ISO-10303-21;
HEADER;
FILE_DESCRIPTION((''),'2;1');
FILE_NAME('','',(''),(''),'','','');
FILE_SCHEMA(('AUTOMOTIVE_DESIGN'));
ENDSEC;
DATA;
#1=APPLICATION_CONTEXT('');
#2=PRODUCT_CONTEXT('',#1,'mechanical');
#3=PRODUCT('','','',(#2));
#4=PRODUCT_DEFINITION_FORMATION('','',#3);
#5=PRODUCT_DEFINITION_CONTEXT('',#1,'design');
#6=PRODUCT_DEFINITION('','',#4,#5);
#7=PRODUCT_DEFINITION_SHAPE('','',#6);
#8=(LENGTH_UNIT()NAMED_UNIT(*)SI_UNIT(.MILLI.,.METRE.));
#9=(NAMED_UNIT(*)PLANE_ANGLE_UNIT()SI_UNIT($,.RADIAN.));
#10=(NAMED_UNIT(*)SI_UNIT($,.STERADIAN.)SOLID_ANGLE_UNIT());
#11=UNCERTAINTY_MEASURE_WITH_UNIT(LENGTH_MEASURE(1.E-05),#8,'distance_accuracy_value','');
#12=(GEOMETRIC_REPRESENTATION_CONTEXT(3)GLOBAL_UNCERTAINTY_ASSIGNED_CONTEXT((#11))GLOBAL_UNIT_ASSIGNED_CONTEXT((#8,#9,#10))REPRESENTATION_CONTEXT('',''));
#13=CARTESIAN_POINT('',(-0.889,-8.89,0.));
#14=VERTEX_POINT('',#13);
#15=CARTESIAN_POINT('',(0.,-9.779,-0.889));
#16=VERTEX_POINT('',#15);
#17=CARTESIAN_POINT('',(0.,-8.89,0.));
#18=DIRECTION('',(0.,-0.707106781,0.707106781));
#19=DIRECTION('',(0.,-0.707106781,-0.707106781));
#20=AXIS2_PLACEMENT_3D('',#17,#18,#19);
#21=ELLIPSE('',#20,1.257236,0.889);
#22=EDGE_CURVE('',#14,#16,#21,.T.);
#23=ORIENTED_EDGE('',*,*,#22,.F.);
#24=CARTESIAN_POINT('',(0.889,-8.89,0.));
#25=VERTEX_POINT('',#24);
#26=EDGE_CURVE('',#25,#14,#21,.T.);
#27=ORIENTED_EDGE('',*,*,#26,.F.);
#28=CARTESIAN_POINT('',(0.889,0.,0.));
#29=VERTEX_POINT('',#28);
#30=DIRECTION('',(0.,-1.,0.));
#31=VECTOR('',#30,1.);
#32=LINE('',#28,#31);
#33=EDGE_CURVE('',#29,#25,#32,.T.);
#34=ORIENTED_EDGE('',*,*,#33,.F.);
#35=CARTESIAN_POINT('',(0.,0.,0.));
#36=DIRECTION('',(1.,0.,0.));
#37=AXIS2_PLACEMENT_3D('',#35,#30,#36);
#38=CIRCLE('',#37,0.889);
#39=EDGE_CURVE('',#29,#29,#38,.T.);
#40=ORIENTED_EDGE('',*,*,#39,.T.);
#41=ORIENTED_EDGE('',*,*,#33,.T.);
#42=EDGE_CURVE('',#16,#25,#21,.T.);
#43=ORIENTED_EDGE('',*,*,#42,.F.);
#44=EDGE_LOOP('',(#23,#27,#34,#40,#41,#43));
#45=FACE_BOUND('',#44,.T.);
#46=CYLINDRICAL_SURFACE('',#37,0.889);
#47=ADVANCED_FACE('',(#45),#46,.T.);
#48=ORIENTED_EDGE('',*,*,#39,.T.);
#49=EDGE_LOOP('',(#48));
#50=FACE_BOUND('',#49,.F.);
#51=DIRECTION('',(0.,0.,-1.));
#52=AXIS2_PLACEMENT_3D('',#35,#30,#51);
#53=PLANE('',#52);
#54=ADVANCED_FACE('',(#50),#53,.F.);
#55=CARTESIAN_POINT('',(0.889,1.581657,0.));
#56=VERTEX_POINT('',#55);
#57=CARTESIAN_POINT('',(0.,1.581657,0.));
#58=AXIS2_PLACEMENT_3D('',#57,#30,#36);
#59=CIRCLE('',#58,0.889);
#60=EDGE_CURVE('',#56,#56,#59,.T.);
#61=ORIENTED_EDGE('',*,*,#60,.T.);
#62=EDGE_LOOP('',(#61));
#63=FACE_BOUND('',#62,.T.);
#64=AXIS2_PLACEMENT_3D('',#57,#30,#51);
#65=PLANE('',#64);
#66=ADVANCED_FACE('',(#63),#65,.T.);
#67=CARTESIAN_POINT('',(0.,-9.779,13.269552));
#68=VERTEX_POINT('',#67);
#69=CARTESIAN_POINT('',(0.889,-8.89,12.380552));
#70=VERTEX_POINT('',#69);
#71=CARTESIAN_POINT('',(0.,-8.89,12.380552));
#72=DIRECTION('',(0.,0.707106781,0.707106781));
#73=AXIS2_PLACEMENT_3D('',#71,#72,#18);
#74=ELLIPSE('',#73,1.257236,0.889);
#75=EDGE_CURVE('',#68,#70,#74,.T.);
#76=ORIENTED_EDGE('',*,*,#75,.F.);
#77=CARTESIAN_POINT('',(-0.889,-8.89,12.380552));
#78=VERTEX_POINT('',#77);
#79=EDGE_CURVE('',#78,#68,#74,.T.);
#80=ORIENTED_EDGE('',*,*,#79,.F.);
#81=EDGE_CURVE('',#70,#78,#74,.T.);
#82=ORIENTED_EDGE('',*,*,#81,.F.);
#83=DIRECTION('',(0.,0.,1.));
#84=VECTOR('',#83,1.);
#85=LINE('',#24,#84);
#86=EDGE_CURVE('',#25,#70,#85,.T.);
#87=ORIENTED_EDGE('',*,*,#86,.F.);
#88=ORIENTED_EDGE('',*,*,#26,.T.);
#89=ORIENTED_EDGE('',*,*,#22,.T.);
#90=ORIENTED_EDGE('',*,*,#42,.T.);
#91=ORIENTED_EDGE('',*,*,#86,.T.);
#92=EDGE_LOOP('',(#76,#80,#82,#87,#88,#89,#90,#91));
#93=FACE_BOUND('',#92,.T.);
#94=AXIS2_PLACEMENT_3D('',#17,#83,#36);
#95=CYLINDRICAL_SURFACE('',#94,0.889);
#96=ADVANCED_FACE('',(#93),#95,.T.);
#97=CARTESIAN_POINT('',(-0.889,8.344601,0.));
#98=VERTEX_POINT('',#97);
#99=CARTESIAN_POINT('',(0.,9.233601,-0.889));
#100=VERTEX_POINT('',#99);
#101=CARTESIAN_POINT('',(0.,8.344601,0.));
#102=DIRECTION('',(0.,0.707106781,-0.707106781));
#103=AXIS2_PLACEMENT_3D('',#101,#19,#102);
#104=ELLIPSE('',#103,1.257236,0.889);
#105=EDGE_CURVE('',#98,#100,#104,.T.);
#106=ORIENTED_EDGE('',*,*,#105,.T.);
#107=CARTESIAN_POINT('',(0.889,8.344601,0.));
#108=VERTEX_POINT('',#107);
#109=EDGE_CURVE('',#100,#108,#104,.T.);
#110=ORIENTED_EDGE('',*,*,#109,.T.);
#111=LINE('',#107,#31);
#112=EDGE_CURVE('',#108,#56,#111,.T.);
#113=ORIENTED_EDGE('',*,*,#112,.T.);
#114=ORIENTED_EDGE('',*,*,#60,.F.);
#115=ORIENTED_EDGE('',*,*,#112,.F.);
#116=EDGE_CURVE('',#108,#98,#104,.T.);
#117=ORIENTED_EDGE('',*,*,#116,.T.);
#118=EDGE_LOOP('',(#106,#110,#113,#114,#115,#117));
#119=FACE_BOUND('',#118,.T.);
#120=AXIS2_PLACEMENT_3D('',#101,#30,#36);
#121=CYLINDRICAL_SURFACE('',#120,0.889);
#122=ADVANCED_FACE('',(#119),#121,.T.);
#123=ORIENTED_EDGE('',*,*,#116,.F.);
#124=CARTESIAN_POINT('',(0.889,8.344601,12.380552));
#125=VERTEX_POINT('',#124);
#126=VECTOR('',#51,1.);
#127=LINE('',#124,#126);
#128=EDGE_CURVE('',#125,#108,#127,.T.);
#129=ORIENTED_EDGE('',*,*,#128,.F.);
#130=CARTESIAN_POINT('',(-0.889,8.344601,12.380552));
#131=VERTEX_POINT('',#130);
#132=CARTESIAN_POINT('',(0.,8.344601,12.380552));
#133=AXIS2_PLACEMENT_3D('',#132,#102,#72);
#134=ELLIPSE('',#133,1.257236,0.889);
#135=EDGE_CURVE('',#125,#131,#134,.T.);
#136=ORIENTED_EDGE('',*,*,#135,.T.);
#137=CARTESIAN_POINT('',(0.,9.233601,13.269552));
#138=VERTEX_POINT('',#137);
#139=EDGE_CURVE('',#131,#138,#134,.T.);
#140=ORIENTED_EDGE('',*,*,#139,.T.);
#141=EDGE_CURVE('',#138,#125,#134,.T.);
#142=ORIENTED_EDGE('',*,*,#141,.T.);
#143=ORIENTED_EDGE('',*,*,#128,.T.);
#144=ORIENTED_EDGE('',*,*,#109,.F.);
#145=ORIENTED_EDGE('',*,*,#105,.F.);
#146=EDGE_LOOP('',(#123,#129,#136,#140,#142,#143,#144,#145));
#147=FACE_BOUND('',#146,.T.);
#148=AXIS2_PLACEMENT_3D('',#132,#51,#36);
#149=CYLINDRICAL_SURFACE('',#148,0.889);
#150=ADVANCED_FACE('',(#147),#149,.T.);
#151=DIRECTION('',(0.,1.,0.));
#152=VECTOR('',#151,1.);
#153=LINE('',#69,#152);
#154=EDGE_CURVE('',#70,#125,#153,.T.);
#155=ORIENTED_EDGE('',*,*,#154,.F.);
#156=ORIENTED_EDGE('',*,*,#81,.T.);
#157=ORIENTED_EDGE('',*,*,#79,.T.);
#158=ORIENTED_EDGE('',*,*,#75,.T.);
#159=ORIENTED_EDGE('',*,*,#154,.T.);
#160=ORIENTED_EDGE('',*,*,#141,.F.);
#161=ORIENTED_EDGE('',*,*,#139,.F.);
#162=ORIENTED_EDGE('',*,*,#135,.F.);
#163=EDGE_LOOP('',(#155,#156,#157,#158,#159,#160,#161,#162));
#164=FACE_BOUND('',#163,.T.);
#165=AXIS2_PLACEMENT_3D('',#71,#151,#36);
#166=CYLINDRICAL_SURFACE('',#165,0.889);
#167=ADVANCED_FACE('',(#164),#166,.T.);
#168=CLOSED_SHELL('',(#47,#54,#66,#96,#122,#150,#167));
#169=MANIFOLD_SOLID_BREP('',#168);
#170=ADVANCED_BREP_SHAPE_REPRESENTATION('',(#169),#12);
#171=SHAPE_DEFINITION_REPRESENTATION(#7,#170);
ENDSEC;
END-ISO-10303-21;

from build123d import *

# Parameters (mm, degrees)
F0_R = 0.889


with BuildPart() as f2:
    # F2: sweep along a path in F1
    with BuildLine(Plane.YZ) as f2_path:
        Line((0, 0), (-8.89, 0))
        Line((-8.89, 0), (-8.89, 12.3805519523))
        Line((-8.89, 12.3805519523), (8.3446010148, 12.3805519523))
        Line((8.3446010148, 12.3805519523), (8.3446010148, 0))
        Line((8.3446010148, 0), (1.5816572689, 0))
    # F0 (on Front) → F2 (sweep)
    with BuildSketch(Plane.XZ):
        Circle(F0_R)
    sweep(path=f2_path.line, transition=Transition.RIGHT)


solid = f2.part
